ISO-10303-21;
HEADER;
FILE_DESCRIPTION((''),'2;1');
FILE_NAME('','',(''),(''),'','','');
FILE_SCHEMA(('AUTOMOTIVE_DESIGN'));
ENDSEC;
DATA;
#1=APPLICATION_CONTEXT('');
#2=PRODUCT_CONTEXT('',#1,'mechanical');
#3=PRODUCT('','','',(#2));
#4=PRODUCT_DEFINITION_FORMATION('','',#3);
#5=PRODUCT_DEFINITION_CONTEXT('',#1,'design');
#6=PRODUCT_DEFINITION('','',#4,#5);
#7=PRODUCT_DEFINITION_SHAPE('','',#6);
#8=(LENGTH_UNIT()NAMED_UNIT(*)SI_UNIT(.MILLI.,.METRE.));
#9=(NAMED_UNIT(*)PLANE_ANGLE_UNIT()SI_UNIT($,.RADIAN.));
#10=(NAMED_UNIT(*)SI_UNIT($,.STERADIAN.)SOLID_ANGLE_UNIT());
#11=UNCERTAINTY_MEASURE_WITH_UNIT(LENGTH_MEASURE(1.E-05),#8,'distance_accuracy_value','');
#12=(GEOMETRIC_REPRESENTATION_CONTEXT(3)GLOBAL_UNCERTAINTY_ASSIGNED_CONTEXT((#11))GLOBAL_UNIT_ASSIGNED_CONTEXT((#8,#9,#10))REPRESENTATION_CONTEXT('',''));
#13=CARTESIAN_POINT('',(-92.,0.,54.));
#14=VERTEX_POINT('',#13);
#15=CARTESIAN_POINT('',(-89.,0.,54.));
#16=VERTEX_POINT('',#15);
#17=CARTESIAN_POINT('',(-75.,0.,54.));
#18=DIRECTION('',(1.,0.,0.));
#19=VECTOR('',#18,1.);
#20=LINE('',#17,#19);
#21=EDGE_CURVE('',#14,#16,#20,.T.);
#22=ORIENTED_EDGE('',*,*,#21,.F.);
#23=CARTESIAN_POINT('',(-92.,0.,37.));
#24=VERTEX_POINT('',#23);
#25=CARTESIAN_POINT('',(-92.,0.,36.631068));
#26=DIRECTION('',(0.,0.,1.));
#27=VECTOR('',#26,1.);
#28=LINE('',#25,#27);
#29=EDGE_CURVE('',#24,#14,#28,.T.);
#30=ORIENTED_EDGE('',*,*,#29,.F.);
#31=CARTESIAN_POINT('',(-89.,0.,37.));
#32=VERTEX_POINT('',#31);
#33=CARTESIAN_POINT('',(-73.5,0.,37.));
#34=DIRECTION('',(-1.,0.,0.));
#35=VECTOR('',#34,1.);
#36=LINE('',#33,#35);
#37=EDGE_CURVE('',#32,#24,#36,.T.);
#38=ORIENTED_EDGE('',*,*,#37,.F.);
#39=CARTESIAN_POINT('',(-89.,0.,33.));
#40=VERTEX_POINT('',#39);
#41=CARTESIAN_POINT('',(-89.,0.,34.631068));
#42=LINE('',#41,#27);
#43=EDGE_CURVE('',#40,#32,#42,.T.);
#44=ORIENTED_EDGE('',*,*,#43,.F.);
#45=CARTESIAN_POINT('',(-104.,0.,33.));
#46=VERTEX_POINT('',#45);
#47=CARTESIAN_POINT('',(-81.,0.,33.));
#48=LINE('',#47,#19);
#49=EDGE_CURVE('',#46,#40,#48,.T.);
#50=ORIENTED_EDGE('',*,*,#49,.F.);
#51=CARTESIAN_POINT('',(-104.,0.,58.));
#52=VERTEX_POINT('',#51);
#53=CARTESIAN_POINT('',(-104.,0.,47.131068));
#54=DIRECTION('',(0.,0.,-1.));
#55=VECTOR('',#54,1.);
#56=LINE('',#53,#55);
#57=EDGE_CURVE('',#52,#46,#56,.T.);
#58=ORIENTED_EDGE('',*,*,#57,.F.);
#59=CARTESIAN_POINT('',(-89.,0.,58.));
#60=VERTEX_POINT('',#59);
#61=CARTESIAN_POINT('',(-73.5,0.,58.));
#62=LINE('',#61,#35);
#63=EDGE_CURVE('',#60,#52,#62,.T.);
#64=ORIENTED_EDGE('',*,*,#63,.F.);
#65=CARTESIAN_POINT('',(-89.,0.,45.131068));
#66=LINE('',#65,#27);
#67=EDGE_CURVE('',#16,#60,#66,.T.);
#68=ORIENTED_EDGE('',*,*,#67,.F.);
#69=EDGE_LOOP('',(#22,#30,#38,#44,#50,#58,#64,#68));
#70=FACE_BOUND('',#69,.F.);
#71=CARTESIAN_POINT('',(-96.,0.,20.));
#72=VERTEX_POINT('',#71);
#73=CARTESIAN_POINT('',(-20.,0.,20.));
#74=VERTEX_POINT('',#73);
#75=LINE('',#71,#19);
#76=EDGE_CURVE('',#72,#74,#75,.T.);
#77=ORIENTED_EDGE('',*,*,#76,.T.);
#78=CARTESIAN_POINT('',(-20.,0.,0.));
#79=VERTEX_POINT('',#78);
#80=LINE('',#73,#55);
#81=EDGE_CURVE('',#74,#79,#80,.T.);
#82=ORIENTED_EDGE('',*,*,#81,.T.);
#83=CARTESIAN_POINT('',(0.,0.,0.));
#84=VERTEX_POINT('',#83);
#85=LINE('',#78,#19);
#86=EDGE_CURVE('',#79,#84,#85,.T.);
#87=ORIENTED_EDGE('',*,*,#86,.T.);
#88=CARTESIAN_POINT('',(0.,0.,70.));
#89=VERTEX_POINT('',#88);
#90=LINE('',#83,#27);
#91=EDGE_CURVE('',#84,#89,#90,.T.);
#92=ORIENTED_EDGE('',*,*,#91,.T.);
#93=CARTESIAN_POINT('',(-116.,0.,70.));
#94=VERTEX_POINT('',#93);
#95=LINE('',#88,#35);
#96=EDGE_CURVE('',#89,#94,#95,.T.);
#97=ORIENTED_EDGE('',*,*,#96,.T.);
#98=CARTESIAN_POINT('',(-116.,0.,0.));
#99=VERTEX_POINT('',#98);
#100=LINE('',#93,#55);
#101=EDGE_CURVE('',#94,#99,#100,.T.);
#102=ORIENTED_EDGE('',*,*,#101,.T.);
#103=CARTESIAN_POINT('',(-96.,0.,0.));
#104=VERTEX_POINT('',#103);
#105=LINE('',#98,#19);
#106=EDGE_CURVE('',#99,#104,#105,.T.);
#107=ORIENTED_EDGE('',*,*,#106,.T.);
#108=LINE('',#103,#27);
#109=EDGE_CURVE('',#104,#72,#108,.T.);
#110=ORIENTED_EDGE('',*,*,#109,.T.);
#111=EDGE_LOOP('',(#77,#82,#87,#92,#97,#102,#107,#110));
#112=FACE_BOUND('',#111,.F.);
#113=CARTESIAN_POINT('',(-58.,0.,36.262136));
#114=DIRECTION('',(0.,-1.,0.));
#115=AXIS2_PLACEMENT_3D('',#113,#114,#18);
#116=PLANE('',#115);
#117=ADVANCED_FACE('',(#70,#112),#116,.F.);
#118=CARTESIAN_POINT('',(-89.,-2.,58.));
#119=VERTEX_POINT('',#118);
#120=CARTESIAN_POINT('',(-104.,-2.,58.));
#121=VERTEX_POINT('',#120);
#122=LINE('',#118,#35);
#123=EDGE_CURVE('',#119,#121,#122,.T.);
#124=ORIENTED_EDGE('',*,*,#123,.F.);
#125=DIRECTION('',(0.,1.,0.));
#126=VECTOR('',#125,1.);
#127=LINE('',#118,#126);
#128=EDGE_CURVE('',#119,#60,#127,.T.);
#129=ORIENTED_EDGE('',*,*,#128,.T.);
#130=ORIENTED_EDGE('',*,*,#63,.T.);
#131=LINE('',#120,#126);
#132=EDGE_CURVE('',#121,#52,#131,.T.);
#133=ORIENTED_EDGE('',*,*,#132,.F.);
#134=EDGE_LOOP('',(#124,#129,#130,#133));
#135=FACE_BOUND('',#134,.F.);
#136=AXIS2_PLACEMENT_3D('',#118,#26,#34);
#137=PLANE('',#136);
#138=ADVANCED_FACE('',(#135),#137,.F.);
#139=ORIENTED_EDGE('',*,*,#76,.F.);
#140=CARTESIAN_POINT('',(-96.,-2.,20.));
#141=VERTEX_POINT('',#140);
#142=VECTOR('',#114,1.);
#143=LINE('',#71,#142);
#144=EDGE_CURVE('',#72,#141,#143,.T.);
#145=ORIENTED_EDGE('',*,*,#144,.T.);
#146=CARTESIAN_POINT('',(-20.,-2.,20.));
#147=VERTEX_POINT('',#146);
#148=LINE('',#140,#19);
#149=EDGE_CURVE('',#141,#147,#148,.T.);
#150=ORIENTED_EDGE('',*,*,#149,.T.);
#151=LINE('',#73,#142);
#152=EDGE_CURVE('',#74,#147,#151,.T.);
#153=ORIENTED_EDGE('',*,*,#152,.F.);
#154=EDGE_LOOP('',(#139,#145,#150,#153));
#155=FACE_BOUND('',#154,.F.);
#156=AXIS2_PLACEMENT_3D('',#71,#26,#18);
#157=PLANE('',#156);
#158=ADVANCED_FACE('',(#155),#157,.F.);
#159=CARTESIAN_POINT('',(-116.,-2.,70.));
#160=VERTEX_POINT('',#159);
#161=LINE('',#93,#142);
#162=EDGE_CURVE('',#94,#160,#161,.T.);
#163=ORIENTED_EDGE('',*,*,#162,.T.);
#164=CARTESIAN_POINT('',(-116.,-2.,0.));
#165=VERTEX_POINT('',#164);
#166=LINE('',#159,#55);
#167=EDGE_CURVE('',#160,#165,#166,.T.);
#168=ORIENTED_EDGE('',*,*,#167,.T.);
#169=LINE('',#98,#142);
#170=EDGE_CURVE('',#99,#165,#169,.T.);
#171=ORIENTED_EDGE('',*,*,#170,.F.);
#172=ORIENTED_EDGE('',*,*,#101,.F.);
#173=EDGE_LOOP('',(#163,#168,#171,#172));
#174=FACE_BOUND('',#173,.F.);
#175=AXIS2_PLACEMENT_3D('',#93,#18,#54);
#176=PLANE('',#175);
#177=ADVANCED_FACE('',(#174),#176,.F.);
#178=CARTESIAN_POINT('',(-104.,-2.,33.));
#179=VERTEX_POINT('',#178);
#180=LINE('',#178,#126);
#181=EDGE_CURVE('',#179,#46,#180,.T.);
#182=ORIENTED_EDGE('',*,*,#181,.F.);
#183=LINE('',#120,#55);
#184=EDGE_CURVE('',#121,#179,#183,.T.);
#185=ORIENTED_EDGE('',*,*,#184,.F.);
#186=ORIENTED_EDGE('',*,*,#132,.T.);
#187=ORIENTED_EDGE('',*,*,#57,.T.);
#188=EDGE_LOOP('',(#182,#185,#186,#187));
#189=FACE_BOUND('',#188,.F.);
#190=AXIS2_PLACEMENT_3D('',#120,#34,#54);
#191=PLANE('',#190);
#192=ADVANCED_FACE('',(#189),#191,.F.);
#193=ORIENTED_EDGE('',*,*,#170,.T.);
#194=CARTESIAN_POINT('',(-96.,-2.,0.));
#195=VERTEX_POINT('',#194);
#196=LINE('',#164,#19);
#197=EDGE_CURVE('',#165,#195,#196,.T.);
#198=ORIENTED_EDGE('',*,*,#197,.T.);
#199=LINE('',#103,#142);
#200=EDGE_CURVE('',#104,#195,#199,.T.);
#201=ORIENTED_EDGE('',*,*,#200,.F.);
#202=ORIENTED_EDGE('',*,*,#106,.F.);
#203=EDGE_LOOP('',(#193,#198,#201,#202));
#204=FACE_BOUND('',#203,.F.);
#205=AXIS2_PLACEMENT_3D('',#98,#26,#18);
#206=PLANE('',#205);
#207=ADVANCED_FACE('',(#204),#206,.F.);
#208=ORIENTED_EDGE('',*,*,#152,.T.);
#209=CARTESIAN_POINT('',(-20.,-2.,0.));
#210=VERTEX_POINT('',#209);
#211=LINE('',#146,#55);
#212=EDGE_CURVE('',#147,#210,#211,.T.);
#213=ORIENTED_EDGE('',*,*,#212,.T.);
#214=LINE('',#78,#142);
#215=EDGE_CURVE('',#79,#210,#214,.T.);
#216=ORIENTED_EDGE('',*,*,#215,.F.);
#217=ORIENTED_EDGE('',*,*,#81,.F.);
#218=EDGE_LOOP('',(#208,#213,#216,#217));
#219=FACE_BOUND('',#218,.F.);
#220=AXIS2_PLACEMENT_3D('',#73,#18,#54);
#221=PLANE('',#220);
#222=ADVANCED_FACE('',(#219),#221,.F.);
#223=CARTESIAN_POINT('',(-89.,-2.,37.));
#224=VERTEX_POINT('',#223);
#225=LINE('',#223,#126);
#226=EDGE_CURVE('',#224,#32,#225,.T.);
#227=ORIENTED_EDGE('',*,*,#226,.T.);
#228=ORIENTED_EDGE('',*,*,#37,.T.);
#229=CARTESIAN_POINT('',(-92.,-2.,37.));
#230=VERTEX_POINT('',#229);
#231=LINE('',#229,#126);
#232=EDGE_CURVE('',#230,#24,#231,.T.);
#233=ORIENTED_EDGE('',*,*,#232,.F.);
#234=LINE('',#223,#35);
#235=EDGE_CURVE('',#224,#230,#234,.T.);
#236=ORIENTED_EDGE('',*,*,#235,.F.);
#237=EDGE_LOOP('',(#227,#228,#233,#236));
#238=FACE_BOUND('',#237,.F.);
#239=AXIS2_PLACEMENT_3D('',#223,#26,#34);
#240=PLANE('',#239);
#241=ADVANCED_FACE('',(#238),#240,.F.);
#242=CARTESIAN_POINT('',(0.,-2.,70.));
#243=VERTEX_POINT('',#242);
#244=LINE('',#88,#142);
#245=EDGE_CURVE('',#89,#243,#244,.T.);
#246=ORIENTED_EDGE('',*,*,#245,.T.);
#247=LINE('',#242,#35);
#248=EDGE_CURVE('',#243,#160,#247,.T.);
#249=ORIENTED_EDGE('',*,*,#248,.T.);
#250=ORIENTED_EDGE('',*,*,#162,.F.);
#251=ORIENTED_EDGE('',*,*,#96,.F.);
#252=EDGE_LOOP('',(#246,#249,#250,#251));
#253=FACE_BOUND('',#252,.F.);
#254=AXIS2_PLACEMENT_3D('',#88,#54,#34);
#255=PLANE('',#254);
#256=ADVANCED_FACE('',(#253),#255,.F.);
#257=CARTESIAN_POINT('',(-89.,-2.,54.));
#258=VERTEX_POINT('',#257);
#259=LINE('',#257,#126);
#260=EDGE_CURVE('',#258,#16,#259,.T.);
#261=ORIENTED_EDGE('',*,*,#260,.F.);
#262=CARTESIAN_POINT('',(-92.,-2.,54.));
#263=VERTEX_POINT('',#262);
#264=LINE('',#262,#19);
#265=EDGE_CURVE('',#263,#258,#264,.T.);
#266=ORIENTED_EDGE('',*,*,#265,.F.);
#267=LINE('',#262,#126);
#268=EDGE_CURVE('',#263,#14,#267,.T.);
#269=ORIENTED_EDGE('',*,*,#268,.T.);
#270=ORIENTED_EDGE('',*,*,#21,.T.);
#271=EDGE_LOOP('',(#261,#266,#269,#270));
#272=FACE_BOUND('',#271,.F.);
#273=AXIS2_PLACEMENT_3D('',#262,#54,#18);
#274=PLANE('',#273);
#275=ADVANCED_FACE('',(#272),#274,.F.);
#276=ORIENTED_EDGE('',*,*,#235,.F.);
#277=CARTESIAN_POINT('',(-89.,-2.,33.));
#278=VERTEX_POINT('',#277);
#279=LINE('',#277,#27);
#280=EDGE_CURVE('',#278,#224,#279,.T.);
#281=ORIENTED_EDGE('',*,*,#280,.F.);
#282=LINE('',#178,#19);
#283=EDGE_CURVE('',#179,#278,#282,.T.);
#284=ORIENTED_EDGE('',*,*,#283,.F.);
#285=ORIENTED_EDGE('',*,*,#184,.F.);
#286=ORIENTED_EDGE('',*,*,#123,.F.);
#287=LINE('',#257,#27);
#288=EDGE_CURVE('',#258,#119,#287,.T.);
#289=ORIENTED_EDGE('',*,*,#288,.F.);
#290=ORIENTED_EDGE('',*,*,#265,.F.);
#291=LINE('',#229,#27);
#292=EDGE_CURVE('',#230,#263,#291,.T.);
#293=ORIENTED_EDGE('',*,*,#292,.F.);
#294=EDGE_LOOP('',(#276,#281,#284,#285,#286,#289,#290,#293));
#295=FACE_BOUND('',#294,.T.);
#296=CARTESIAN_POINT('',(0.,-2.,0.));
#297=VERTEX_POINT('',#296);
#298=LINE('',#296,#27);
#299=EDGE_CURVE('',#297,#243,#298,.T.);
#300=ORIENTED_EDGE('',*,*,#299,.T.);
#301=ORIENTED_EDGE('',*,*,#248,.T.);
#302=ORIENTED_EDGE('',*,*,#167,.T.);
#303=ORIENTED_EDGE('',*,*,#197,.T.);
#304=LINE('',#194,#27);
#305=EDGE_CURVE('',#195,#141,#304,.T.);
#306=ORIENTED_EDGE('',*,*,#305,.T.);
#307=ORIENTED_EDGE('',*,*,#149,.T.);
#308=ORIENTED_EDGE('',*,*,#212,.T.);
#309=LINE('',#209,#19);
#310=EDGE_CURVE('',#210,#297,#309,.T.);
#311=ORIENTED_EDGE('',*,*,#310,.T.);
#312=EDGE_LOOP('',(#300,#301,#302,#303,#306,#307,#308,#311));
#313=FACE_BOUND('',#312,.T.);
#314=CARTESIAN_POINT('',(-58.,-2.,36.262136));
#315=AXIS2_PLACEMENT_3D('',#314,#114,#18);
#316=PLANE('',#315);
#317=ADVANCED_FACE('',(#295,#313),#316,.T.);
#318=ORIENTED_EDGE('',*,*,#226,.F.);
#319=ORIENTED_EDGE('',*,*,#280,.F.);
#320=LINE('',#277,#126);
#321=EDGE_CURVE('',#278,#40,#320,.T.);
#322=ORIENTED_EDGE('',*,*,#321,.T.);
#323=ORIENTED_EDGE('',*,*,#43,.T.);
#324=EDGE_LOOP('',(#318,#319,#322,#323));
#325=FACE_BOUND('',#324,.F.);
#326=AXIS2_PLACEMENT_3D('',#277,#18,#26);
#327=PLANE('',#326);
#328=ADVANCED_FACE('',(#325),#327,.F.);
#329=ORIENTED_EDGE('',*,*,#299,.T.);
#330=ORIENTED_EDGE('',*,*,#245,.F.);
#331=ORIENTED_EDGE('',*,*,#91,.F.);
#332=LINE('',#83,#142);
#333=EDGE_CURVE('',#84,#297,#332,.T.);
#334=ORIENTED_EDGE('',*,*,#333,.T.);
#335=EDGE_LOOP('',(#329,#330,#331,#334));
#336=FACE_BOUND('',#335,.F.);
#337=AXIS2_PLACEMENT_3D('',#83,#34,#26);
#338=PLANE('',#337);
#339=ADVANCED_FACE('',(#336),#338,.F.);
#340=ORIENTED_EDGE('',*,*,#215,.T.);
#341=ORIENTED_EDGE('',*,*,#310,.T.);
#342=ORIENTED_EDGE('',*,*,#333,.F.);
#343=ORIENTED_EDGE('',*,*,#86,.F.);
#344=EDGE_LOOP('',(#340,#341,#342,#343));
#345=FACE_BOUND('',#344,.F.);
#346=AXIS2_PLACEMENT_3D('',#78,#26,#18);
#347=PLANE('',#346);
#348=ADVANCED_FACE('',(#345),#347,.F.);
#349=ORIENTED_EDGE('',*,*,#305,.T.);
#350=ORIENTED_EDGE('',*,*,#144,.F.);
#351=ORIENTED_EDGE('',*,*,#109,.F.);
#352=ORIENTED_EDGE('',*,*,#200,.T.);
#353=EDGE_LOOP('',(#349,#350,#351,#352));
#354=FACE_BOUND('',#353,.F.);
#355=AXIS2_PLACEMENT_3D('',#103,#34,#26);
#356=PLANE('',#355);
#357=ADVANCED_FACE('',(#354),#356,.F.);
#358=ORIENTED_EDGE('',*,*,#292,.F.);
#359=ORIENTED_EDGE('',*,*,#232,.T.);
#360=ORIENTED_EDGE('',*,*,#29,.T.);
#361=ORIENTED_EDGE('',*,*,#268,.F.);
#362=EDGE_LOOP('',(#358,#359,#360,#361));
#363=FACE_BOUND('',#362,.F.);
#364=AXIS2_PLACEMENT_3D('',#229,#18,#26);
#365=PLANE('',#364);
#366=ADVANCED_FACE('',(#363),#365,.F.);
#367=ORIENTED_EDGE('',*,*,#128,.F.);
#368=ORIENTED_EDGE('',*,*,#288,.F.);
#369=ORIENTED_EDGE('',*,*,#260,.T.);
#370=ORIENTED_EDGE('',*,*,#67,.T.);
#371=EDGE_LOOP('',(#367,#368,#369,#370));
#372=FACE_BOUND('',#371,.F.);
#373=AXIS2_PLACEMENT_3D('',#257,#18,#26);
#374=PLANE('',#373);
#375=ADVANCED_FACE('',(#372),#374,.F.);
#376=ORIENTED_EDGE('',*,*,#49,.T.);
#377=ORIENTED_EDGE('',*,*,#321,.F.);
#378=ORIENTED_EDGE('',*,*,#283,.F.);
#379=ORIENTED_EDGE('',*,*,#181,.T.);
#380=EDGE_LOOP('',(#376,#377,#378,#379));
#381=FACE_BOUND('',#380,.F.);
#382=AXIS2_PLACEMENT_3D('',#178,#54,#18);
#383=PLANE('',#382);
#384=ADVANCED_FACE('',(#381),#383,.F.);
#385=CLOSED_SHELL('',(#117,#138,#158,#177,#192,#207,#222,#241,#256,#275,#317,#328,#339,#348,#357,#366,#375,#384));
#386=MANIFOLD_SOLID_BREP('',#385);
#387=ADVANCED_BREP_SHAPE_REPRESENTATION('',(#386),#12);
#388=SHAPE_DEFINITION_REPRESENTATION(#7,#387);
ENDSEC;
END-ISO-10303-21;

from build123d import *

# Parameters (mm, degrees)
F1_DEPTH = 2
F3_DEPTH = 2.001


with BuildPart() as f1:
    # F0 (on Front) → F1 (new body)
    with BuildSketch(Plane.XZ):
        Polygon((-20, 0), (0, 0), (0, 70), (-116, 70), (-116, 0), (-96, 0), (-96, 20), (-20, 20), align=None)
    extrude(amount=F1_DEPTH)

    # F2 (on face) → F3 (cut, through all)
    with BuildSketch(Plane.XZ.offset(2)):
        Polygon((-89, 58), (-104, 58), (-104, 33), (-89, 33), (-89, 37), (-92, 37), (-92, 54), (-89, 54), align=None)
    extrude(amount=-F3_DEPTH, mode=Mode.SUBTRACT)


solid = f1.part
